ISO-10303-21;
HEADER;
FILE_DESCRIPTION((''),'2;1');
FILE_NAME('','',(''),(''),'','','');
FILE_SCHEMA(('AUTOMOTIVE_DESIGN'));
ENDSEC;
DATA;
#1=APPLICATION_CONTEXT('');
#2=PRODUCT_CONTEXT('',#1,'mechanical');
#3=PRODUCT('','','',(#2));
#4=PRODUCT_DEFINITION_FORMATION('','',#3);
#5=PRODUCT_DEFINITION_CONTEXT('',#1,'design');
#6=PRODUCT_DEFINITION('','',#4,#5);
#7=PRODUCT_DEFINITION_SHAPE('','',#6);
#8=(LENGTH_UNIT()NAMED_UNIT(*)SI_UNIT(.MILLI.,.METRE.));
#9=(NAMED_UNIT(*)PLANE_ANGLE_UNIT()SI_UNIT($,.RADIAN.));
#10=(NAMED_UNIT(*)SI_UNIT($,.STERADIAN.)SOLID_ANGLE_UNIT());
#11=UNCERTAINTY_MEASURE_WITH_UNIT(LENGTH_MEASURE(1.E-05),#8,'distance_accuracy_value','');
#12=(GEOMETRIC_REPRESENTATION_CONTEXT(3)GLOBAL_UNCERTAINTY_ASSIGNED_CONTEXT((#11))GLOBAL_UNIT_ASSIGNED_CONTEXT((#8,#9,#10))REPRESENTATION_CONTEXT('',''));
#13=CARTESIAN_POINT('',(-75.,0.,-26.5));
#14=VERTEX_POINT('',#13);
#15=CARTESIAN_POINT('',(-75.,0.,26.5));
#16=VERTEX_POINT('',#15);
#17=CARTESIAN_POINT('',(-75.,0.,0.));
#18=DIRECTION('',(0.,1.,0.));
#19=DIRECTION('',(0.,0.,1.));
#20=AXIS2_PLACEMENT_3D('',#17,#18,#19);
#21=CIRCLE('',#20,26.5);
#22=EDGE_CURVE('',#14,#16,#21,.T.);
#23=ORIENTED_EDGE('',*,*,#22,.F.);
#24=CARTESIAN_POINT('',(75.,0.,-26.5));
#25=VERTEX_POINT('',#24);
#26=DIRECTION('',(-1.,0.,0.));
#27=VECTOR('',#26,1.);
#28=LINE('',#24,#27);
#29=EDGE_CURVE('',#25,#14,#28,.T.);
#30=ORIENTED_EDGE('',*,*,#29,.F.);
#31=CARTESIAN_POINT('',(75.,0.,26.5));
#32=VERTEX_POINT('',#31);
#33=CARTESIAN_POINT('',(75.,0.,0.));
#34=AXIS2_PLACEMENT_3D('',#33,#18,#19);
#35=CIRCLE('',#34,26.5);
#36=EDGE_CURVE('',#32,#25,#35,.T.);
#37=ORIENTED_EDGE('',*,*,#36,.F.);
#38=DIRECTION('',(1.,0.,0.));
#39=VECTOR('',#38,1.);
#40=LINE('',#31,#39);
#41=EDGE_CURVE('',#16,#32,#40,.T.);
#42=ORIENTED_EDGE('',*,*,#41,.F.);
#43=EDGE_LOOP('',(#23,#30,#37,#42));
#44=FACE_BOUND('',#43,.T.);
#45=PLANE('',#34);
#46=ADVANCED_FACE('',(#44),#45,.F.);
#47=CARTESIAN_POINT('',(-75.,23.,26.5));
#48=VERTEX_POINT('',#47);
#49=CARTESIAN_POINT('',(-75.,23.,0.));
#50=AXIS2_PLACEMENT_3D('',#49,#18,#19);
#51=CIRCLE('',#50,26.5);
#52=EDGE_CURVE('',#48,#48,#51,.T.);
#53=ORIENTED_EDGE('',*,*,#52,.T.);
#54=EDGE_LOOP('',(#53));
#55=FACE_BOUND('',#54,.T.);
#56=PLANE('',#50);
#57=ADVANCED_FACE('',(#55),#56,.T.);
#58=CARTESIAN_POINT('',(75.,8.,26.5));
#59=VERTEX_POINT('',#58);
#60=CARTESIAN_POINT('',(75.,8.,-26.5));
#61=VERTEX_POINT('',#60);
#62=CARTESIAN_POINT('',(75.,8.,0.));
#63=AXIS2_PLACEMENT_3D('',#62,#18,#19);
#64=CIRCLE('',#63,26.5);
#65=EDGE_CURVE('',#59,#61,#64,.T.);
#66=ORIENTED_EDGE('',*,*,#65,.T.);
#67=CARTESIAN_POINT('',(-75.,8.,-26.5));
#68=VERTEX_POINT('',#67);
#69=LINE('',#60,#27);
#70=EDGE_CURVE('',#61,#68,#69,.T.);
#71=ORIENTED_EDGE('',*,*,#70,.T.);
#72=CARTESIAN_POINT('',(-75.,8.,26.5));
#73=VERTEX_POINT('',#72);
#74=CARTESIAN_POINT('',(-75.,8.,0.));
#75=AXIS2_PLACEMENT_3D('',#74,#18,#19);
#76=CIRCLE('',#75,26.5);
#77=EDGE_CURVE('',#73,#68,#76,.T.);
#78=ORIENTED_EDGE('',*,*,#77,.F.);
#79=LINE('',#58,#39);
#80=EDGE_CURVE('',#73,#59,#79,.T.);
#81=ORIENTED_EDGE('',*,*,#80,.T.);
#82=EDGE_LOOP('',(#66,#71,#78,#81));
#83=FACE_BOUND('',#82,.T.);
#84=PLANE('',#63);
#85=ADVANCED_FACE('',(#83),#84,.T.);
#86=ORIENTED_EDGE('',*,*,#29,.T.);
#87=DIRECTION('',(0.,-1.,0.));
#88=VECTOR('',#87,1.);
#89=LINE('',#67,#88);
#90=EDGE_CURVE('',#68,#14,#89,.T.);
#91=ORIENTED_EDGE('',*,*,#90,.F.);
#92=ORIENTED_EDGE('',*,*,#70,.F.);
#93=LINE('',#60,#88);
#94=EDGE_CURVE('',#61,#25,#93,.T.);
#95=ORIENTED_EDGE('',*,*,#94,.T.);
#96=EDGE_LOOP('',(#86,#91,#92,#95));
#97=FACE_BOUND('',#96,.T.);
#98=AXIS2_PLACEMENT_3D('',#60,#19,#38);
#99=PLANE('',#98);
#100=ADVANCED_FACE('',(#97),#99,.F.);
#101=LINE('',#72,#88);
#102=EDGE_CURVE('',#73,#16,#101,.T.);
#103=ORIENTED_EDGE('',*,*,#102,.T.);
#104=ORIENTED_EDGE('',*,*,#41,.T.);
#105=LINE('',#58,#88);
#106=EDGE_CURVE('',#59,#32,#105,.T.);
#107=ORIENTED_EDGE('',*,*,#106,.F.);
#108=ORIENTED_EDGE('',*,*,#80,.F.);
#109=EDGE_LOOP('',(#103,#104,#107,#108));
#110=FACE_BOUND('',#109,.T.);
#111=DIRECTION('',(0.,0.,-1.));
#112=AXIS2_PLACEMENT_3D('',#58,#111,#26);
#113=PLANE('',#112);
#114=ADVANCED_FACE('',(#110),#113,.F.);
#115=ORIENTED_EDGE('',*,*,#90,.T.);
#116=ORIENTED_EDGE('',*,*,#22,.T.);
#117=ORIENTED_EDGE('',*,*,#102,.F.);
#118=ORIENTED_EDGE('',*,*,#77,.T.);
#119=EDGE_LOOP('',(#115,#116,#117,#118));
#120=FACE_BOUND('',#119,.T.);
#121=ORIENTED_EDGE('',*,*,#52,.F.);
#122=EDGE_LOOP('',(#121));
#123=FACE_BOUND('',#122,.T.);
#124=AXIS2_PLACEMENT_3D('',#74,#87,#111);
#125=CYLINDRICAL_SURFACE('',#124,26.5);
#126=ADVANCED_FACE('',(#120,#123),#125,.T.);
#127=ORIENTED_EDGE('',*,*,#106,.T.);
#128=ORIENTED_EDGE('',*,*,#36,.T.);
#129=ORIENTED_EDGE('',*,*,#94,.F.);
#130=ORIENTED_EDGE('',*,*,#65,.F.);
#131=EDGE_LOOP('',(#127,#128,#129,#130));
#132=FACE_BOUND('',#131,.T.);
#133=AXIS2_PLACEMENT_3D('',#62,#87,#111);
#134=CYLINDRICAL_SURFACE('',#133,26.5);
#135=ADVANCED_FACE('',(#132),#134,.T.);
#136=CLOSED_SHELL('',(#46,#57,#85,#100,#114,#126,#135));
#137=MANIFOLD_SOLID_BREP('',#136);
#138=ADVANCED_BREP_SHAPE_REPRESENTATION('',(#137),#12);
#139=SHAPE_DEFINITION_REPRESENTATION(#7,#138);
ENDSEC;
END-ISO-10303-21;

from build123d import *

# Parameters (mm, degrees)
EXTRUDE_1_DEPTH = 8
SKETCH_2_R      = 26.5
EXTRUDE_2_DEPTH = 15


with BuildPart() as part:
    # 草图1 → 凸台-拉伸1 (new body)
    with BuildSketch(Plane(origin=(0, 0, 0), x_dir=(1, 0, 0), z_dir=(0, 1, 0))):
        with BuildLine():
            Line((75, -26.5), (-75, -26.5))
            ThreePointArc((-75, -26.5), (-101.5, 0), (-75, 26.5))
            Line((-75, 26.5), (75, 26.5))
            ThreePointArc((75, 26.5), (101.5, 0), (75, -26.5))
        make_face()
    extrude(amount=EXTRUDE_1_DEPTH)

    # 草图2 → 凸台-拉伸2 (add)
    with BuildSketch(Plane(origin=(0, 8, 0), x_dir=(1, 0, 0), z_dir=(0, 1, 0))):
        with Locations(Location((-75, 0, 0), (0, 0, 270))):
            Circle(SKETCH_2_R)
    extrude(amount=EXTRUDE_2_DEPTH)


solid = part.part
